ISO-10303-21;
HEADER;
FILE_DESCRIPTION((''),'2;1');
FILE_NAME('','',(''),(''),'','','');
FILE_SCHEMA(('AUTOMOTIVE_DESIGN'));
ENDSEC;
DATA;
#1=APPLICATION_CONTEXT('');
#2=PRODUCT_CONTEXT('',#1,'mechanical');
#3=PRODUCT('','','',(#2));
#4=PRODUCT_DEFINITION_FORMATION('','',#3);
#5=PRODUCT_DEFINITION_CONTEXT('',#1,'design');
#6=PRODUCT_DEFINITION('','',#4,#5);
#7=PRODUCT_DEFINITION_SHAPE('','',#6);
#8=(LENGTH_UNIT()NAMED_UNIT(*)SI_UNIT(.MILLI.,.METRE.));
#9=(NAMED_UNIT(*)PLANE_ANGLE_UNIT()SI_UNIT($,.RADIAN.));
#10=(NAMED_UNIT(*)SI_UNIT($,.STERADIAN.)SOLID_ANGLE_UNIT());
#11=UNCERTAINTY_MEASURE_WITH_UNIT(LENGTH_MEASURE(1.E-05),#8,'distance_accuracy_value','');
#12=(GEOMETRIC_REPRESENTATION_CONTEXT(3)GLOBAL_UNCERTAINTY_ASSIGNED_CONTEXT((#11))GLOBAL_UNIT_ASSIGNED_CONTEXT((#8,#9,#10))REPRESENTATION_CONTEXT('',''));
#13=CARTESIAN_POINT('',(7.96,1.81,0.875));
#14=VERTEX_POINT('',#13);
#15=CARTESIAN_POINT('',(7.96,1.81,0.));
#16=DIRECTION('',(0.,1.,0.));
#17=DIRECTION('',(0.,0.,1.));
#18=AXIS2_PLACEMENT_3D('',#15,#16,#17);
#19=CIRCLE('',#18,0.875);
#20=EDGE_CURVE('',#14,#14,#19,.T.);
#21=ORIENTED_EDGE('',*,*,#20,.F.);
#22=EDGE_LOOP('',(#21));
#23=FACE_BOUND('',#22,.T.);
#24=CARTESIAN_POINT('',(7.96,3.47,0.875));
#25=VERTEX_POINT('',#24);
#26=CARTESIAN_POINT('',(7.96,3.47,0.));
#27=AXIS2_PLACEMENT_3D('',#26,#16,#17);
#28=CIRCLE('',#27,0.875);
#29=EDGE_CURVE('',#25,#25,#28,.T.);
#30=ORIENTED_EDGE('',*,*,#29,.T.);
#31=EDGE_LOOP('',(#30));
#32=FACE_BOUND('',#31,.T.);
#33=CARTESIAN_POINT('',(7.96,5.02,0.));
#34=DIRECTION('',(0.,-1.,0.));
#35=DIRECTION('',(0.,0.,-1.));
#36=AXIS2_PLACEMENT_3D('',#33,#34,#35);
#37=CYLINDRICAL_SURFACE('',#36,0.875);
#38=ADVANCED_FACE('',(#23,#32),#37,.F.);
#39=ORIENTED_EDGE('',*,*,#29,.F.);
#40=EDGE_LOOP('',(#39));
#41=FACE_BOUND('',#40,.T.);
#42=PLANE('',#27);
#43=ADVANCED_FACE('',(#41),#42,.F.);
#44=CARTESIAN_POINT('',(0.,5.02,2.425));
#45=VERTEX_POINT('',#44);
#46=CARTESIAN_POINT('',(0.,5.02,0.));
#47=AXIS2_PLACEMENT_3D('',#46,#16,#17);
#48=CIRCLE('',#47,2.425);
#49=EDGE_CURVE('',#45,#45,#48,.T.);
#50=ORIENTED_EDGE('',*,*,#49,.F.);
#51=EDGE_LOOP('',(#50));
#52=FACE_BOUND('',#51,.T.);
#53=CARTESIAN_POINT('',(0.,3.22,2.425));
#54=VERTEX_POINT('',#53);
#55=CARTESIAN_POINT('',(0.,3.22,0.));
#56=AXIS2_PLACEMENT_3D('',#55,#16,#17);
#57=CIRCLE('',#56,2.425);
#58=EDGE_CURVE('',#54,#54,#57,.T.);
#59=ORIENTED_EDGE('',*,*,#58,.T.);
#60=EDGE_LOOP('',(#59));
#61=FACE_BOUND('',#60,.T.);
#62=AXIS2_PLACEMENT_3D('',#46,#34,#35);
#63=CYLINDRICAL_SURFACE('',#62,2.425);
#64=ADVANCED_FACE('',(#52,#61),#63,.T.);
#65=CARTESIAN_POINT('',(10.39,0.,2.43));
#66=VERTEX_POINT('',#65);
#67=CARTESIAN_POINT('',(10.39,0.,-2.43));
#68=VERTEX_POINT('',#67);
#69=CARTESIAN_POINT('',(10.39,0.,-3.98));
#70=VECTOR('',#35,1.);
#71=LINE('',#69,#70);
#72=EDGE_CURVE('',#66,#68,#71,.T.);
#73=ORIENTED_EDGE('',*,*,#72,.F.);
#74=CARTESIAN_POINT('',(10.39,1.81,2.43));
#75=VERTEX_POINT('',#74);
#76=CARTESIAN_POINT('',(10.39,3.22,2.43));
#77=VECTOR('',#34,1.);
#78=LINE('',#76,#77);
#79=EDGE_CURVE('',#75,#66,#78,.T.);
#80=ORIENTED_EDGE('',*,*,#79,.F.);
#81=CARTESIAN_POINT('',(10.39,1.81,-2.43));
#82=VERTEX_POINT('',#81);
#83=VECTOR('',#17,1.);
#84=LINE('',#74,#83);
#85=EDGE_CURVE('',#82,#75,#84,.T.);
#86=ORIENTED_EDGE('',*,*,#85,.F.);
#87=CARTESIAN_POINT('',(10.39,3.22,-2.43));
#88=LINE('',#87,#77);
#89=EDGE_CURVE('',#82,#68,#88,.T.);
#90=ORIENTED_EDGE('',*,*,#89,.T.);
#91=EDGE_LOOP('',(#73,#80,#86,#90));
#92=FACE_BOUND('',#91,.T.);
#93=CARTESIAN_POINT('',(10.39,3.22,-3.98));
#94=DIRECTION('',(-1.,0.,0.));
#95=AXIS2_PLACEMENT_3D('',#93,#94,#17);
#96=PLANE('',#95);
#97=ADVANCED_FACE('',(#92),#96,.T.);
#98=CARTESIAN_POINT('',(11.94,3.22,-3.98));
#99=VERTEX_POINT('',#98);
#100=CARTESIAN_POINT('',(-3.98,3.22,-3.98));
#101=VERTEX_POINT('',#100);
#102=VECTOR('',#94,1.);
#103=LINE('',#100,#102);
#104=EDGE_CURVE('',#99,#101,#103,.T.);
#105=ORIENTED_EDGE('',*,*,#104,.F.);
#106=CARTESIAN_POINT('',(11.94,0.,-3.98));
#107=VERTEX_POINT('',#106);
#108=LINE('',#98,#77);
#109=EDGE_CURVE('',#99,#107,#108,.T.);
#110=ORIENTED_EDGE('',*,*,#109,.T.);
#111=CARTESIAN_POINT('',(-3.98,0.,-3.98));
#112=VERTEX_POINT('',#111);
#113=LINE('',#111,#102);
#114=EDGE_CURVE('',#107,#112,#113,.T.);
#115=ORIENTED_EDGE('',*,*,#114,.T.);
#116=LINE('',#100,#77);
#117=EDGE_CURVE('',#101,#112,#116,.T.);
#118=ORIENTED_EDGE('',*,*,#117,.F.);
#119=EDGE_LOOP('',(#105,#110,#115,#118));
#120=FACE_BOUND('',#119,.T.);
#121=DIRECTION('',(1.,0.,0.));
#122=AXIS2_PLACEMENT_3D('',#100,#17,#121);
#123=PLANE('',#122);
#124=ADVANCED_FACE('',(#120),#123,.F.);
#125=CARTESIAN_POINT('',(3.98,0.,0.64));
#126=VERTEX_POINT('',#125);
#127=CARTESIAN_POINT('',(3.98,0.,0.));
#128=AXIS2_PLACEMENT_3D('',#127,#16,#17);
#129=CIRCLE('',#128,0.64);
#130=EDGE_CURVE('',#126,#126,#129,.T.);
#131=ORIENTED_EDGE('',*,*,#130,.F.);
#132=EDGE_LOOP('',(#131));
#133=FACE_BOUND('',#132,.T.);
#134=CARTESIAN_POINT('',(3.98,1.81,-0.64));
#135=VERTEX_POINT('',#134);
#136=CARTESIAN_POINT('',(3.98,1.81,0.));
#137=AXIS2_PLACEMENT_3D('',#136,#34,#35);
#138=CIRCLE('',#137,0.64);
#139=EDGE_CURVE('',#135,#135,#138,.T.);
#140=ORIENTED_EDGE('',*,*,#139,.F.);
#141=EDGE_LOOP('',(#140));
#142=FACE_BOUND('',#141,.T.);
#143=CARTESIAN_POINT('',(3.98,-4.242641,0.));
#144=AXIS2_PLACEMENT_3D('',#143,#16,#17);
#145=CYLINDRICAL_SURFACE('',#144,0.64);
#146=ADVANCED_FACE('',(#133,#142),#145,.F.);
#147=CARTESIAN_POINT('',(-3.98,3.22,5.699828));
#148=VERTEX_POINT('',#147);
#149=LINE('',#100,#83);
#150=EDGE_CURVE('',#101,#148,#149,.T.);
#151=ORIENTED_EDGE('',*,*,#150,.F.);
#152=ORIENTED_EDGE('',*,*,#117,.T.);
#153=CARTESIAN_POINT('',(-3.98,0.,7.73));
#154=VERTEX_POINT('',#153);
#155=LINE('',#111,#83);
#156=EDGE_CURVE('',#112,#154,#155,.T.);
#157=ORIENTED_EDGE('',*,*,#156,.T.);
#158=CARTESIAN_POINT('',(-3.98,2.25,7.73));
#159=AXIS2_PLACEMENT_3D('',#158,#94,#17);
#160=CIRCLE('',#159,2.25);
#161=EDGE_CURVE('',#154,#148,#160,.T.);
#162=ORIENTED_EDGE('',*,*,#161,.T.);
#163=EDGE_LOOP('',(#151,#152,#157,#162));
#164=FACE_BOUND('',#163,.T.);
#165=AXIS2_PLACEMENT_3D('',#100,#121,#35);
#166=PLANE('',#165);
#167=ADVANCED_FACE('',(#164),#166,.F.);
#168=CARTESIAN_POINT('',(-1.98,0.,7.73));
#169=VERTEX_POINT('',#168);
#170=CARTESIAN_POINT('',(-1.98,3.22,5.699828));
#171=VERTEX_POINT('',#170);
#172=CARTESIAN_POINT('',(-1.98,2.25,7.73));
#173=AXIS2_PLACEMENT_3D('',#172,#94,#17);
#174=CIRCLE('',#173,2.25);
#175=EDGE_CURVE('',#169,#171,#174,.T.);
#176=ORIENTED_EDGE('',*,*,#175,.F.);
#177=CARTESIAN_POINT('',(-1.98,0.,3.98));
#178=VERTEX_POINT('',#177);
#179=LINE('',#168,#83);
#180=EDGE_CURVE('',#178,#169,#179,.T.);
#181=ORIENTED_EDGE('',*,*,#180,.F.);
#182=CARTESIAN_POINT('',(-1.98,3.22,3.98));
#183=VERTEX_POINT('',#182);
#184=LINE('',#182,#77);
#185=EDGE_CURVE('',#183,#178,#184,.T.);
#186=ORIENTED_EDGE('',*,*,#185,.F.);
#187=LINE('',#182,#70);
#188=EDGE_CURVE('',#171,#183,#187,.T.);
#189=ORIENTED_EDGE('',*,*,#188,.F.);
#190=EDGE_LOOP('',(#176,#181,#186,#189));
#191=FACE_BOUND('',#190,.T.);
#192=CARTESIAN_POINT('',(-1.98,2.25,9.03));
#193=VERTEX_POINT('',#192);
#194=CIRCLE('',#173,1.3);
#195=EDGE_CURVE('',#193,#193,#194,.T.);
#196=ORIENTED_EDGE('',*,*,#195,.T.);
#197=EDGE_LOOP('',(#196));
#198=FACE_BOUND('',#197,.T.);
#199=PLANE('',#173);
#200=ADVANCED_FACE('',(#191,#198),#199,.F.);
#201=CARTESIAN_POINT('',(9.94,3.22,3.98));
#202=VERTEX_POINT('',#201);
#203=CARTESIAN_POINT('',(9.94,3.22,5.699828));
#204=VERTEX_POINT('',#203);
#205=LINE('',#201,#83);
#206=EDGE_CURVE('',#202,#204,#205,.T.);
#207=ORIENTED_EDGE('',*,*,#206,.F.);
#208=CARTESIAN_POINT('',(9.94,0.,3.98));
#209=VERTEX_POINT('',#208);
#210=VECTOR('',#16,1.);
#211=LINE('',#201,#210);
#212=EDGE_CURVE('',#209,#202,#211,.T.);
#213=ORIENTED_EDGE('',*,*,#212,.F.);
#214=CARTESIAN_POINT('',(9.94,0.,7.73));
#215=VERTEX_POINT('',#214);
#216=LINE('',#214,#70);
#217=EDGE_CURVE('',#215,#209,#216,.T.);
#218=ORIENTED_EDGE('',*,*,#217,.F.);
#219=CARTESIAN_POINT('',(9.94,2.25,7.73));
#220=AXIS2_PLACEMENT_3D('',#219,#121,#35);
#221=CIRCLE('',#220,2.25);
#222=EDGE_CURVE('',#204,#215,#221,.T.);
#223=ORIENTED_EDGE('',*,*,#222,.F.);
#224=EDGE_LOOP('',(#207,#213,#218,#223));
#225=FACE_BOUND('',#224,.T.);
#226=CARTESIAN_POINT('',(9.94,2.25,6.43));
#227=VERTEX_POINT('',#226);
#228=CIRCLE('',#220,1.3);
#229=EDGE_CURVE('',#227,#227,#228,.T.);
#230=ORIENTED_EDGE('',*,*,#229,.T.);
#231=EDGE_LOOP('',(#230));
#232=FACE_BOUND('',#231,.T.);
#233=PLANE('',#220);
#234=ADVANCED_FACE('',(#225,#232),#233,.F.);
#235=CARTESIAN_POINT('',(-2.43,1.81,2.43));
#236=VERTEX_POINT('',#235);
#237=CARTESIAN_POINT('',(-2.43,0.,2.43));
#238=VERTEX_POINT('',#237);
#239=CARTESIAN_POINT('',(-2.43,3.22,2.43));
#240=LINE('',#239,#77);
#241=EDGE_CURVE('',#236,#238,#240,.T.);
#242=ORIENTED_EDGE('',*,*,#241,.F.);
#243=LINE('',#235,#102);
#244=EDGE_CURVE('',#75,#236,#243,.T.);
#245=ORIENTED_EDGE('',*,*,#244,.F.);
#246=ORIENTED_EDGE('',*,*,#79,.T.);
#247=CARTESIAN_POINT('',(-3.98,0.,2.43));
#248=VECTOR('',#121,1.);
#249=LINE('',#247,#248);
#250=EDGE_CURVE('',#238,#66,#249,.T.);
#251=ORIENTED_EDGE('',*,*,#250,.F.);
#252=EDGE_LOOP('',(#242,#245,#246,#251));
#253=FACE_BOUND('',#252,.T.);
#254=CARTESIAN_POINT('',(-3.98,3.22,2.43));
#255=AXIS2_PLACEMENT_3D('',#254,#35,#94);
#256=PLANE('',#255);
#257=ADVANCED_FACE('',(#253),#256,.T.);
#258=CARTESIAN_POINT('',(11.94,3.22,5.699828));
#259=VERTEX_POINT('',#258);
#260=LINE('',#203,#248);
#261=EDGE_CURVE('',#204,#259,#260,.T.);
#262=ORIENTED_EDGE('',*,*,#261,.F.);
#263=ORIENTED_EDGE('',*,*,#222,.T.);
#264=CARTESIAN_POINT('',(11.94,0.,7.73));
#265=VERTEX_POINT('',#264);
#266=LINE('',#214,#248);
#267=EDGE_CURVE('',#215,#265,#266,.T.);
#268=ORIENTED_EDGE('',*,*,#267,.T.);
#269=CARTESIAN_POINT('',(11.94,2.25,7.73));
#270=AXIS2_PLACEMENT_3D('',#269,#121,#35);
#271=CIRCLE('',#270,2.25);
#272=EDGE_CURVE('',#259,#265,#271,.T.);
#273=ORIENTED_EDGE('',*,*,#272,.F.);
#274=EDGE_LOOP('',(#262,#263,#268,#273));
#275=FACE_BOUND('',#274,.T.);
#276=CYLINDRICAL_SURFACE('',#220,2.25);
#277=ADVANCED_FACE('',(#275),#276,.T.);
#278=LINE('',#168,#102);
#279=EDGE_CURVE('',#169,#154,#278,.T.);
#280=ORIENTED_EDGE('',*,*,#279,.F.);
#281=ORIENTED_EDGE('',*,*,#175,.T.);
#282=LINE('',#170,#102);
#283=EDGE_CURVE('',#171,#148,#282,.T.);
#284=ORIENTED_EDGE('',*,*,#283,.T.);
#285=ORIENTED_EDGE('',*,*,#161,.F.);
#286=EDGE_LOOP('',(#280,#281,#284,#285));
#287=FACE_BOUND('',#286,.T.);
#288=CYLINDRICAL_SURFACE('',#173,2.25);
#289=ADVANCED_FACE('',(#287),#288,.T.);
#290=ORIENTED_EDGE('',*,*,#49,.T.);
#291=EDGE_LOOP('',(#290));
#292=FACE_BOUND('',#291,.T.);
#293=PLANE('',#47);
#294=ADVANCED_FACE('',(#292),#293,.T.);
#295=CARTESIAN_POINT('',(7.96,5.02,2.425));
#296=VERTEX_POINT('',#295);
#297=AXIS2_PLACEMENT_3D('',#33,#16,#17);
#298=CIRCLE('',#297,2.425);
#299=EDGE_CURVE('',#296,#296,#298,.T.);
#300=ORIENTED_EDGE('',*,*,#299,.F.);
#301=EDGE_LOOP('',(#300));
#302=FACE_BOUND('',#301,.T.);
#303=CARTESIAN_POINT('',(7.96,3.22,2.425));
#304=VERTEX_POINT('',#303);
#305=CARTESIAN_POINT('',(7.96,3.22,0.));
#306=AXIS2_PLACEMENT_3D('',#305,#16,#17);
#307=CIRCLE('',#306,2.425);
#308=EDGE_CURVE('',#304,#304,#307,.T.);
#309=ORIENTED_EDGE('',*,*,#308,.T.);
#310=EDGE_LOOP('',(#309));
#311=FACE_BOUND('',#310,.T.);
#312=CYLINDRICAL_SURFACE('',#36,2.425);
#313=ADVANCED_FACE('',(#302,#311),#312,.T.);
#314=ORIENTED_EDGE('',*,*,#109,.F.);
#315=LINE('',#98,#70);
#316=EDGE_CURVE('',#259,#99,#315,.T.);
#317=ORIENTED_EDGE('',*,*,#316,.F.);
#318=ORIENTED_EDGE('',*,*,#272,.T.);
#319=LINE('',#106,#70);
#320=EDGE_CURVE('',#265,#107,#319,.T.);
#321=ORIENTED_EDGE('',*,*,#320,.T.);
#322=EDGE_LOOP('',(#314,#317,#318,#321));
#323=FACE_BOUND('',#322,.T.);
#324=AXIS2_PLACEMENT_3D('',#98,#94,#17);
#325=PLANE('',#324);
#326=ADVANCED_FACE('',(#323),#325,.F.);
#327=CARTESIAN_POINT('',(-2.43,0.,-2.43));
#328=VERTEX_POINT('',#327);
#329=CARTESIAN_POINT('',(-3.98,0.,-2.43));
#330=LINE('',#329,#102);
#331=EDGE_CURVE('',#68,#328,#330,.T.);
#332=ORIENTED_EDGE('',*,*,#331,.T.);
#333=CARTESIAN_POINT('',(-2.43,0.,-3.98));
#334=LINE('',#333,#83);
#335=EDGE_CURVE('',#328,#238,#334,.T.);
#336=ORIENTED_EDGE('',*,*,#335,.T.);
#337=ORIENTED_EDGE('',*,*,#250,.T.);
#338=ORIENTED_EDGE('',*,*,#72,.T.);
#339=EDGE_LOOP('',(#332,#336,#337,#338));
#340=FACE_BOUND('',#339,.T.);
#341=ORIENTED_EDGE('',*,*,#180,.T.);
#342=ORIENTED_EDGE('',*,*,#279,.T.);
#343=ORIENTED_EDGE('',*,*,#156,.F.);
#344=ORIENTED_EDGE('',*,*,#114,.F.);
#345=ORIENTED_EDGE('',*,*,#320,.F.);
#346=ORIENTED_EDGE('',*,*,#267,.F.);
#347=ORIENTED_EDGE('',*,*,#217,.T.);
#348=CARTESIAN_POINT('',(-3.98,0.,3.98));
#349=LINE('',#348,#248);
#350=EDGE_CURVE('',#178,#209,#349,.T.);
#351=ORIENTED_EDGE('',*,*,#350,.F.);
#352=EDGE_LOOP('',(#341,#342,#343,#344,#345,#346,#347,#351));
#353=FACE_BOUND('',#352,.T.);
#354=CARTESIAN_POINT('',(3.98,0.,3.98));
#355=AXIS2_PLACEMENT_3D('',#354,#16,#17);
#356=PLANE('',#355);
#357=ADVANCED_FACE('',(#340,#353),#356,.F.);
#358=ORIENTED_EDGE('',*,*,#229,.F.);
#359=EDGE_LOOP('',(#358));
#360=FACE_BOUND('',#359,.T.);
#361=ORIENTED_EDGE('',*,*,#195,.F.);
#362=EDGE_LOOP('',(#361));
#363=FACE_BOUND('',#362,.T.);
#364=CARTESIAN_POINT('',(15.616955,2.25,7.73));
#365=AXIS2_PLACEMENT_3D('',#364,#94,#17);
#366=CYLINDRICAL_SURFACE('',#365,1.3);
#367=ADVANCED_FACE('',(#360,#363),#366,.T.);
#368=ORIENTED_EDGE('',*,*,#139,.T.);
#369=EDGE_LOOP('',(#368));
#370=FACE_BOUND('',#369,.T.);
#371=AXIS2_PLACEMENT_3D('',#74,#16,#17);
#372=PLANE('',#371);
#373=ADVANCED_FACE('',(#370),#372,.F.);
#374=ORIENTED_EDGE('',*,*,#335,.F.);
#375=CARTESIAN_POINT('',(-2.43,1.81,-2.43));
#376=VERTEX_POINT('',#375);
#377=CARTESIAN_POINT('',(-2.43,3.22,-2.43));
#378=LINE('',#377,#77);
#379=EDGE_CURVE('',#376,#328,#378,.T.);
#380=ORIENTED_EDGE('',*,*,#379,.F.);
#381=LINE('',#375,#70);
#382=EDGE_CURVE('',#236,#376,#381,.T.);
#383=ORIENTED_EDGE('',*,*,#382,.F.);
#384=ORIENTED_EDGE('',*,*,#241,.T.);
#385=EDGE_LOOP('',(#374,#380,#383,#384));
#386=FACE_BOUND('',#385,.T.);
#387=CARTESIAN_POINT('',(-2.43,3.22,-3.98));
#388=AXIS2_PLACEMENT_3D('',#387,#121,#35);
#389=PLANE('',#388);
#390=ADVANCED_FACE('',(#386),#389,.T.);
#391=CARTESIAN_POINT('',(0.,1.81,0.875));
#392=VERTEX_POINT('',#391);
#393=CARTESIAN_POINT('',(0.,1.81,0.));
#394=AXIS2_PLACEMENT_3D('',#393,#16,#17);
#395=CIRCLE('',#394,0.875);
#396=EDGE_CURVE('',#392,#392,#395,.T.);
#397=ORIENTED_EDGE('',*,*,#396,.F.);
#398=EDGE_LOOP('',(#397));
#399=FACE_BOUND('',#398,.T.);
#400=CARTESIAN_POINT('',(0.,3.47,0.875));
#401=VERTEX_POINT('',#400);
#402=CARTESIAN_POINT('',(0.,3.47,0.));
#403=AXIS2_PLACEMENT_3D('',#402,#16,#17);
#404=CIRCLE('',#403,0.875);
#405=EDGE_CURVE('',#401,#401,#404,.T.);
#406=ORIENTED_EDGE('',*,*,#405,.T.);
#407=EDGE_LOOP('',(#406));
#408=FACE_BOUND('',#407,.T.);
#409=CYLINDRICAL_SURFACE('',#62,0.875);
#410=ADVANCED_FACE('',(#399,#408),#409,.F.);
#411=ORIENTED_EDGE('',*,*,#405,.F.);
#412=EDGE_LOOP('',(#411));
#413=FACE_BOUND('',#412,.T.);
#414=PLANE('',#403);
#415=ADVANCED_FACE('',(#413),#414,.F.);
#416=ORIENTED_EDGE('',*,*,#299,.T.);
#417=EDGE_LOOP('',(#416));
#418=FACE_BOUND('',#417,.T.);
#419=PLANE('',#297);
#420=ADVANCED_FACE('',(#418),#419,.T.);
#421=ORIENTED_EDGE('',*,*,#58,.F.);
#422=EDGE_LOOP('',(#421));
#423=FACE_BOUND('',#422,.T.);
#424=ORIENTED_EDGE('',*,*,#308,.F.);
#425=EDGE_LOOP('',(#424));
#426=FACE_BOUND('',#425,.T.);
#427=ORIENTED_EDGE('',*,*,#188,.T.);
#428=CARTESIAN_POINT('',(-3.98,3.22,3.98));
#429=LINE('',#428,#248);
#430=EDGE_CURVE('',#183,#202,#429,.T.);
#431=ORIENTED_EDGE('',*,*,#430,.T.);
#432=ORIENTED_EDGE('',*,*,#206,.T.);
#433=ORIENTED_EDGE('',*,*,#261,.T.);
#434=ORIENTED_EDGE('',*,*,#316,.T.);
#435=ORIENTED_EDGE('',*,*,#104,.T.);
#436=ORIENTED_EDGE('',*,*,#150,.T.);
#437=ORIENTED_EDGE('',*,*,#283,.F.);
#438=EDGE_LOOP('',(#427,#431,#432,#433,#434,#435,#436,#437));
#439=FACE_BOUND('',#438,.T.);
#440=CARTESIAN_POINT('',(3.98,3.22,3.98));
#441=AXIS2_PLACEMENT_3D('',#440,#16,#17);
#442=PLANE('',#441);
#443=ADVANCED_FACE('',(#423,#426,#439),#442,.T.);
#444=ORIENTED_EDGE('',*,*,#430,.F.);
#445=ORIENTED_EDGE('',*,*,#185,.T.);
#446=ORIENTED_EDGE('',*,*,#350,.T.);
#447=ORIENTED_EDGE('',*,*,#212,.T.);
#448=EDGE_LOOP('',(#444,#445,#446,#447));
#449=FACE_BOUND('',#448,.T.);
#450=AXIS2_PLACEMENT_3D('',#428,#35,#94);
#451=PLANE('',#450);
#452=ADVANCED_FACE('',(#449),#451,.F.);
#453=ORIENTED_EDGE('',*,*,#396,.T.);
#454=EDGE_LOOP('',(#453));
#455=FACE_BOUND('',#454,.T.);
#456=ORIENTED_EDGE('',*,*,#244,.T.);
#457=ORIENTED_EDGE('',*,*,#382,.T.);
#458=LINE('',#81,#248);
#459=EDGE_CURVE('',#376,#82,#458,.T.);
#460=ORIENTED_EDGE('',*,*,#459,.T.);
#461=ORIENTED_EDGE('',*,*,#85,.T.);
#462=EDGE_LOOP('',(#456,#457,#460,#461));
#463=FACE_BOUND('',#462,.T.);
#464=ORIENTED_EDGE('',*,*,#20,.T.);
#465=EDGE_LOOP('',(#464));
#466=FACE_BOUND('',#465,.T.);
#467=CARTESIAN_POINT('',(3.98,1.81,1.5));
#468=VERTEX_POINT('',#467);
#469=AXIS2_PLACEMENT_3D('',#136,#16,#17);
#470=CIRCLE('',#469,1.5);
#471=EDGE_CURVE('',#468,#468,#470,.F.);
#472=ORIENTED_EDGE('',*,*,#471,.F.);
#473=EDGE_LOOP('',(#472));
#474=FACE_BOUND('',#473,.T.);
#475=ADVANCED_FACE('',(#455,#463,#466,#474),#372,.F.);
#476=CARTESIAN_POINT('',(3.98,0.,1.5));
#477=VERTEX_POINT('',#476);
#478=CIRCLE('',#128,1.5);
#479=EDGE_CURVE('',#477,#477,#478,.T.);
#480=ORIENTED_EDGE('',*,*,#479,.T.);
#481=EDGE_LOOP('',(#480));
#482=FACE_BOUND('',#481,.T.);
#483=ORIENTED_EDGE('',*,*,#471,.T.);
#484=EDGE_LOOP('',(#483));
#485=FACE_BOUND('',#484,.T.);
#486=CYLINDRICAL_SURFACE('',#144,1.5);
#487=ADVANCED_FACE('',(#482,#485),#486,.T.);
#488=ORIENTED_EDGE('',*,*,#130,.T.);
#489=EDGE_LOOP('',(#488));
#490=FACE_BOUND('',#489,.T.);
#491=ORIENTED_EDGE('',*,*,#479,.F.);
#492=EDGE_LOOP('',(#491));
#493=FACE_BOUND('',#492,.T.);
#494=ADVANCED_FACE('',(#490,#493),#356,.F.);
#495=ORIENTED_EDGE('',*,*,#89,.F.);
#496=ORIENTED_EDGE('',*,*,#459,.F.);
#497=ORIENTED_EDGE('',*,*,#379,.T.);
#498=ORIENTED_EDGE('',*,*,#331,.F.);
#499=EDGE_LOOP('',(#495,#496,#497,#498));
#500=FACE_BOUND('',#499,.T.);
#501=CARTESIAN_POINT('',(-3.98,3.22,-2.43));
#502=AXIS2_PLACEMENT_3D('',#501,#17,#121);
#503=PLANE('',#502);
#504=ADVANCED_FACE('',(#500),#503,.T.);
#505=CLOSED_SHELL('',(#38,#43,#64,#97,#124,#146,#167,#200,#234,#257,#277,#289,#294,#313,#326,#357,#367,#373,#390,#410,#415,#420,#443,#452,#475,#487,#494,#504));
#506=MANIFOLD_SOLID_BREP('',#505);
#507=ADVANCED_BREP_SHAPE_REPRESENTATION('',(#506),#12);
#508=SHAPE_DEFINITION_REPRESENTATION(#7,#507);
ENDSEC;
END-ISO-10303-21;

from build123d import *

# Parameters (mm, degrees)
SKETCH1_W       = 7.96
SKETCH1_H       = 7.96
EXTRUDE1_DEPTH  = 3.22
SKETCH2_R       = 2.425
EXTRUDE2_DEPTH  = 1.8
LPATTERN1_COUNT = 2
LPATTERN1_PITCH = 7.96
SHELL1_T        = -1.55
SKETCH4_W       = 12.82
SKETCH4_H       = 4.86
EXTRUDE3_DEPTH  = 0.14
SKETCH5_R       = 1.5
SKETCH5_R_2     = 0.64
EXTRUDE4_DEPTH  = 1.81
EXTRUDE5_DEPTH  = 2
EXTRUDE6_DEPTH  = 2
SKETCH8_R       = 1.3
EXTRUDE7_DEPTH  = 15.92


with BuildPart() as part:
    # Sketch1 → Extrude1 (new body)
    with BuildSketch(Plane(origin=(0, 0, 0), x_dir=(1, 0, 0), z_dir=(0, 1, 0))):
        Rectangle(SKETCH1_W, SKETCH1_H)
    extrude1 = extrude(amount=EXTRUDE1_DEPTH)

    # Sketch2 → Extrude2 (add)
    with BuildSketch(Plane(origin=(0, 3.22, 0), x_dir=(1, 0, 0), z_dir=(0, 1, 0))):
        Circle(SKETCH2_R)
    extrude2 = extrude(amount=EXTRUDE2_DEPTH)

    # LPattern1: Extrude1, Extrude2 ×2
    with Locations(*[(i * LPATTERN1_PITCH, 0, 0) for i in range(1, LPATTERN1_COUNT)]):
        add(extrude1)
        add(extrude2)

    # Shell1
    shell1_openings = [part.faces().sort_by_distance(p)[0] for p in [
        (3.98, 0, 0),
    ]]
    offset(amount=SHELL1_T, openings=shell1_openings, kind=Kind.INTERSECTION)

    # Sketch4 → Extrude3 (cut)
    with BuildSketch(Plane.XZ.offset(-1.67)):
        with Locations((3.98, 0)):
            Rectangle(SKETCH4_W, SKETCH4_H)
    extrude(amount=-EXTRUDE3_DEPTH, mode=Mode.SUBTRACT)

    # Sketch5 → Extrude4 (add)
    with BuildSketch(Plane.XZ.offset(-1.81)):
        with Locations((3.98, 0)):
            Circle(SKETCH5_R)
        with Locations((3.98, 0)):
            Circle(SKETCH5_R_2, mode=Mode.SUBTRACT)
    extrude(amount=EXTRUDE4_DEPTH)

    # Sketch6 → Extrude5 (add)
    with BuildSketch(Plane(origin=(11.94, 0, 0), x_dir=(0, 0, -1), z_dir=(1, 0, 0))):
        with BuildLine():
            Line((-7.73, 0), (-3.98, 0))
            Line((-3.98, 0), (-3.98, 3.22))
            Line((-3.98, 3.22), (-5.699827594, 3.22))
            ThreePointArc((-5.699827594, 3.22), (-9.633286631, 3.45), (-7.73, 0))
        make_face()
    extrude(amount=-EXTRUDE5_DEPTH)

    # Sketch7 → Extrude6 (add)
    with BuildSketch(Plane.ZY.offset(3.98)):
        with BuildLine():
            Line((3.98, 3.22), (3.98, 0))
            Line((3.98, 0), (7.73, 0))
            ThreePointArc((7.73, 0), (9.633286631, 3.45), (5.699827594, 3.22))
            Line((5.699827594, 3.22), (3.98, 3.22))
        make_face()
    extrude(amount=-EXTRUDE6_DEPTH)

    # Sketch8 → Extrude7 (add)
    with BuildSketch(Plane.ZY.offset(3.98)):
        with Locations((7.73, 2.25)):
            Circle(SKETCH8_R)
    extrude(amount=-EXTRUDE7_DEPTH)


solid = part.part
